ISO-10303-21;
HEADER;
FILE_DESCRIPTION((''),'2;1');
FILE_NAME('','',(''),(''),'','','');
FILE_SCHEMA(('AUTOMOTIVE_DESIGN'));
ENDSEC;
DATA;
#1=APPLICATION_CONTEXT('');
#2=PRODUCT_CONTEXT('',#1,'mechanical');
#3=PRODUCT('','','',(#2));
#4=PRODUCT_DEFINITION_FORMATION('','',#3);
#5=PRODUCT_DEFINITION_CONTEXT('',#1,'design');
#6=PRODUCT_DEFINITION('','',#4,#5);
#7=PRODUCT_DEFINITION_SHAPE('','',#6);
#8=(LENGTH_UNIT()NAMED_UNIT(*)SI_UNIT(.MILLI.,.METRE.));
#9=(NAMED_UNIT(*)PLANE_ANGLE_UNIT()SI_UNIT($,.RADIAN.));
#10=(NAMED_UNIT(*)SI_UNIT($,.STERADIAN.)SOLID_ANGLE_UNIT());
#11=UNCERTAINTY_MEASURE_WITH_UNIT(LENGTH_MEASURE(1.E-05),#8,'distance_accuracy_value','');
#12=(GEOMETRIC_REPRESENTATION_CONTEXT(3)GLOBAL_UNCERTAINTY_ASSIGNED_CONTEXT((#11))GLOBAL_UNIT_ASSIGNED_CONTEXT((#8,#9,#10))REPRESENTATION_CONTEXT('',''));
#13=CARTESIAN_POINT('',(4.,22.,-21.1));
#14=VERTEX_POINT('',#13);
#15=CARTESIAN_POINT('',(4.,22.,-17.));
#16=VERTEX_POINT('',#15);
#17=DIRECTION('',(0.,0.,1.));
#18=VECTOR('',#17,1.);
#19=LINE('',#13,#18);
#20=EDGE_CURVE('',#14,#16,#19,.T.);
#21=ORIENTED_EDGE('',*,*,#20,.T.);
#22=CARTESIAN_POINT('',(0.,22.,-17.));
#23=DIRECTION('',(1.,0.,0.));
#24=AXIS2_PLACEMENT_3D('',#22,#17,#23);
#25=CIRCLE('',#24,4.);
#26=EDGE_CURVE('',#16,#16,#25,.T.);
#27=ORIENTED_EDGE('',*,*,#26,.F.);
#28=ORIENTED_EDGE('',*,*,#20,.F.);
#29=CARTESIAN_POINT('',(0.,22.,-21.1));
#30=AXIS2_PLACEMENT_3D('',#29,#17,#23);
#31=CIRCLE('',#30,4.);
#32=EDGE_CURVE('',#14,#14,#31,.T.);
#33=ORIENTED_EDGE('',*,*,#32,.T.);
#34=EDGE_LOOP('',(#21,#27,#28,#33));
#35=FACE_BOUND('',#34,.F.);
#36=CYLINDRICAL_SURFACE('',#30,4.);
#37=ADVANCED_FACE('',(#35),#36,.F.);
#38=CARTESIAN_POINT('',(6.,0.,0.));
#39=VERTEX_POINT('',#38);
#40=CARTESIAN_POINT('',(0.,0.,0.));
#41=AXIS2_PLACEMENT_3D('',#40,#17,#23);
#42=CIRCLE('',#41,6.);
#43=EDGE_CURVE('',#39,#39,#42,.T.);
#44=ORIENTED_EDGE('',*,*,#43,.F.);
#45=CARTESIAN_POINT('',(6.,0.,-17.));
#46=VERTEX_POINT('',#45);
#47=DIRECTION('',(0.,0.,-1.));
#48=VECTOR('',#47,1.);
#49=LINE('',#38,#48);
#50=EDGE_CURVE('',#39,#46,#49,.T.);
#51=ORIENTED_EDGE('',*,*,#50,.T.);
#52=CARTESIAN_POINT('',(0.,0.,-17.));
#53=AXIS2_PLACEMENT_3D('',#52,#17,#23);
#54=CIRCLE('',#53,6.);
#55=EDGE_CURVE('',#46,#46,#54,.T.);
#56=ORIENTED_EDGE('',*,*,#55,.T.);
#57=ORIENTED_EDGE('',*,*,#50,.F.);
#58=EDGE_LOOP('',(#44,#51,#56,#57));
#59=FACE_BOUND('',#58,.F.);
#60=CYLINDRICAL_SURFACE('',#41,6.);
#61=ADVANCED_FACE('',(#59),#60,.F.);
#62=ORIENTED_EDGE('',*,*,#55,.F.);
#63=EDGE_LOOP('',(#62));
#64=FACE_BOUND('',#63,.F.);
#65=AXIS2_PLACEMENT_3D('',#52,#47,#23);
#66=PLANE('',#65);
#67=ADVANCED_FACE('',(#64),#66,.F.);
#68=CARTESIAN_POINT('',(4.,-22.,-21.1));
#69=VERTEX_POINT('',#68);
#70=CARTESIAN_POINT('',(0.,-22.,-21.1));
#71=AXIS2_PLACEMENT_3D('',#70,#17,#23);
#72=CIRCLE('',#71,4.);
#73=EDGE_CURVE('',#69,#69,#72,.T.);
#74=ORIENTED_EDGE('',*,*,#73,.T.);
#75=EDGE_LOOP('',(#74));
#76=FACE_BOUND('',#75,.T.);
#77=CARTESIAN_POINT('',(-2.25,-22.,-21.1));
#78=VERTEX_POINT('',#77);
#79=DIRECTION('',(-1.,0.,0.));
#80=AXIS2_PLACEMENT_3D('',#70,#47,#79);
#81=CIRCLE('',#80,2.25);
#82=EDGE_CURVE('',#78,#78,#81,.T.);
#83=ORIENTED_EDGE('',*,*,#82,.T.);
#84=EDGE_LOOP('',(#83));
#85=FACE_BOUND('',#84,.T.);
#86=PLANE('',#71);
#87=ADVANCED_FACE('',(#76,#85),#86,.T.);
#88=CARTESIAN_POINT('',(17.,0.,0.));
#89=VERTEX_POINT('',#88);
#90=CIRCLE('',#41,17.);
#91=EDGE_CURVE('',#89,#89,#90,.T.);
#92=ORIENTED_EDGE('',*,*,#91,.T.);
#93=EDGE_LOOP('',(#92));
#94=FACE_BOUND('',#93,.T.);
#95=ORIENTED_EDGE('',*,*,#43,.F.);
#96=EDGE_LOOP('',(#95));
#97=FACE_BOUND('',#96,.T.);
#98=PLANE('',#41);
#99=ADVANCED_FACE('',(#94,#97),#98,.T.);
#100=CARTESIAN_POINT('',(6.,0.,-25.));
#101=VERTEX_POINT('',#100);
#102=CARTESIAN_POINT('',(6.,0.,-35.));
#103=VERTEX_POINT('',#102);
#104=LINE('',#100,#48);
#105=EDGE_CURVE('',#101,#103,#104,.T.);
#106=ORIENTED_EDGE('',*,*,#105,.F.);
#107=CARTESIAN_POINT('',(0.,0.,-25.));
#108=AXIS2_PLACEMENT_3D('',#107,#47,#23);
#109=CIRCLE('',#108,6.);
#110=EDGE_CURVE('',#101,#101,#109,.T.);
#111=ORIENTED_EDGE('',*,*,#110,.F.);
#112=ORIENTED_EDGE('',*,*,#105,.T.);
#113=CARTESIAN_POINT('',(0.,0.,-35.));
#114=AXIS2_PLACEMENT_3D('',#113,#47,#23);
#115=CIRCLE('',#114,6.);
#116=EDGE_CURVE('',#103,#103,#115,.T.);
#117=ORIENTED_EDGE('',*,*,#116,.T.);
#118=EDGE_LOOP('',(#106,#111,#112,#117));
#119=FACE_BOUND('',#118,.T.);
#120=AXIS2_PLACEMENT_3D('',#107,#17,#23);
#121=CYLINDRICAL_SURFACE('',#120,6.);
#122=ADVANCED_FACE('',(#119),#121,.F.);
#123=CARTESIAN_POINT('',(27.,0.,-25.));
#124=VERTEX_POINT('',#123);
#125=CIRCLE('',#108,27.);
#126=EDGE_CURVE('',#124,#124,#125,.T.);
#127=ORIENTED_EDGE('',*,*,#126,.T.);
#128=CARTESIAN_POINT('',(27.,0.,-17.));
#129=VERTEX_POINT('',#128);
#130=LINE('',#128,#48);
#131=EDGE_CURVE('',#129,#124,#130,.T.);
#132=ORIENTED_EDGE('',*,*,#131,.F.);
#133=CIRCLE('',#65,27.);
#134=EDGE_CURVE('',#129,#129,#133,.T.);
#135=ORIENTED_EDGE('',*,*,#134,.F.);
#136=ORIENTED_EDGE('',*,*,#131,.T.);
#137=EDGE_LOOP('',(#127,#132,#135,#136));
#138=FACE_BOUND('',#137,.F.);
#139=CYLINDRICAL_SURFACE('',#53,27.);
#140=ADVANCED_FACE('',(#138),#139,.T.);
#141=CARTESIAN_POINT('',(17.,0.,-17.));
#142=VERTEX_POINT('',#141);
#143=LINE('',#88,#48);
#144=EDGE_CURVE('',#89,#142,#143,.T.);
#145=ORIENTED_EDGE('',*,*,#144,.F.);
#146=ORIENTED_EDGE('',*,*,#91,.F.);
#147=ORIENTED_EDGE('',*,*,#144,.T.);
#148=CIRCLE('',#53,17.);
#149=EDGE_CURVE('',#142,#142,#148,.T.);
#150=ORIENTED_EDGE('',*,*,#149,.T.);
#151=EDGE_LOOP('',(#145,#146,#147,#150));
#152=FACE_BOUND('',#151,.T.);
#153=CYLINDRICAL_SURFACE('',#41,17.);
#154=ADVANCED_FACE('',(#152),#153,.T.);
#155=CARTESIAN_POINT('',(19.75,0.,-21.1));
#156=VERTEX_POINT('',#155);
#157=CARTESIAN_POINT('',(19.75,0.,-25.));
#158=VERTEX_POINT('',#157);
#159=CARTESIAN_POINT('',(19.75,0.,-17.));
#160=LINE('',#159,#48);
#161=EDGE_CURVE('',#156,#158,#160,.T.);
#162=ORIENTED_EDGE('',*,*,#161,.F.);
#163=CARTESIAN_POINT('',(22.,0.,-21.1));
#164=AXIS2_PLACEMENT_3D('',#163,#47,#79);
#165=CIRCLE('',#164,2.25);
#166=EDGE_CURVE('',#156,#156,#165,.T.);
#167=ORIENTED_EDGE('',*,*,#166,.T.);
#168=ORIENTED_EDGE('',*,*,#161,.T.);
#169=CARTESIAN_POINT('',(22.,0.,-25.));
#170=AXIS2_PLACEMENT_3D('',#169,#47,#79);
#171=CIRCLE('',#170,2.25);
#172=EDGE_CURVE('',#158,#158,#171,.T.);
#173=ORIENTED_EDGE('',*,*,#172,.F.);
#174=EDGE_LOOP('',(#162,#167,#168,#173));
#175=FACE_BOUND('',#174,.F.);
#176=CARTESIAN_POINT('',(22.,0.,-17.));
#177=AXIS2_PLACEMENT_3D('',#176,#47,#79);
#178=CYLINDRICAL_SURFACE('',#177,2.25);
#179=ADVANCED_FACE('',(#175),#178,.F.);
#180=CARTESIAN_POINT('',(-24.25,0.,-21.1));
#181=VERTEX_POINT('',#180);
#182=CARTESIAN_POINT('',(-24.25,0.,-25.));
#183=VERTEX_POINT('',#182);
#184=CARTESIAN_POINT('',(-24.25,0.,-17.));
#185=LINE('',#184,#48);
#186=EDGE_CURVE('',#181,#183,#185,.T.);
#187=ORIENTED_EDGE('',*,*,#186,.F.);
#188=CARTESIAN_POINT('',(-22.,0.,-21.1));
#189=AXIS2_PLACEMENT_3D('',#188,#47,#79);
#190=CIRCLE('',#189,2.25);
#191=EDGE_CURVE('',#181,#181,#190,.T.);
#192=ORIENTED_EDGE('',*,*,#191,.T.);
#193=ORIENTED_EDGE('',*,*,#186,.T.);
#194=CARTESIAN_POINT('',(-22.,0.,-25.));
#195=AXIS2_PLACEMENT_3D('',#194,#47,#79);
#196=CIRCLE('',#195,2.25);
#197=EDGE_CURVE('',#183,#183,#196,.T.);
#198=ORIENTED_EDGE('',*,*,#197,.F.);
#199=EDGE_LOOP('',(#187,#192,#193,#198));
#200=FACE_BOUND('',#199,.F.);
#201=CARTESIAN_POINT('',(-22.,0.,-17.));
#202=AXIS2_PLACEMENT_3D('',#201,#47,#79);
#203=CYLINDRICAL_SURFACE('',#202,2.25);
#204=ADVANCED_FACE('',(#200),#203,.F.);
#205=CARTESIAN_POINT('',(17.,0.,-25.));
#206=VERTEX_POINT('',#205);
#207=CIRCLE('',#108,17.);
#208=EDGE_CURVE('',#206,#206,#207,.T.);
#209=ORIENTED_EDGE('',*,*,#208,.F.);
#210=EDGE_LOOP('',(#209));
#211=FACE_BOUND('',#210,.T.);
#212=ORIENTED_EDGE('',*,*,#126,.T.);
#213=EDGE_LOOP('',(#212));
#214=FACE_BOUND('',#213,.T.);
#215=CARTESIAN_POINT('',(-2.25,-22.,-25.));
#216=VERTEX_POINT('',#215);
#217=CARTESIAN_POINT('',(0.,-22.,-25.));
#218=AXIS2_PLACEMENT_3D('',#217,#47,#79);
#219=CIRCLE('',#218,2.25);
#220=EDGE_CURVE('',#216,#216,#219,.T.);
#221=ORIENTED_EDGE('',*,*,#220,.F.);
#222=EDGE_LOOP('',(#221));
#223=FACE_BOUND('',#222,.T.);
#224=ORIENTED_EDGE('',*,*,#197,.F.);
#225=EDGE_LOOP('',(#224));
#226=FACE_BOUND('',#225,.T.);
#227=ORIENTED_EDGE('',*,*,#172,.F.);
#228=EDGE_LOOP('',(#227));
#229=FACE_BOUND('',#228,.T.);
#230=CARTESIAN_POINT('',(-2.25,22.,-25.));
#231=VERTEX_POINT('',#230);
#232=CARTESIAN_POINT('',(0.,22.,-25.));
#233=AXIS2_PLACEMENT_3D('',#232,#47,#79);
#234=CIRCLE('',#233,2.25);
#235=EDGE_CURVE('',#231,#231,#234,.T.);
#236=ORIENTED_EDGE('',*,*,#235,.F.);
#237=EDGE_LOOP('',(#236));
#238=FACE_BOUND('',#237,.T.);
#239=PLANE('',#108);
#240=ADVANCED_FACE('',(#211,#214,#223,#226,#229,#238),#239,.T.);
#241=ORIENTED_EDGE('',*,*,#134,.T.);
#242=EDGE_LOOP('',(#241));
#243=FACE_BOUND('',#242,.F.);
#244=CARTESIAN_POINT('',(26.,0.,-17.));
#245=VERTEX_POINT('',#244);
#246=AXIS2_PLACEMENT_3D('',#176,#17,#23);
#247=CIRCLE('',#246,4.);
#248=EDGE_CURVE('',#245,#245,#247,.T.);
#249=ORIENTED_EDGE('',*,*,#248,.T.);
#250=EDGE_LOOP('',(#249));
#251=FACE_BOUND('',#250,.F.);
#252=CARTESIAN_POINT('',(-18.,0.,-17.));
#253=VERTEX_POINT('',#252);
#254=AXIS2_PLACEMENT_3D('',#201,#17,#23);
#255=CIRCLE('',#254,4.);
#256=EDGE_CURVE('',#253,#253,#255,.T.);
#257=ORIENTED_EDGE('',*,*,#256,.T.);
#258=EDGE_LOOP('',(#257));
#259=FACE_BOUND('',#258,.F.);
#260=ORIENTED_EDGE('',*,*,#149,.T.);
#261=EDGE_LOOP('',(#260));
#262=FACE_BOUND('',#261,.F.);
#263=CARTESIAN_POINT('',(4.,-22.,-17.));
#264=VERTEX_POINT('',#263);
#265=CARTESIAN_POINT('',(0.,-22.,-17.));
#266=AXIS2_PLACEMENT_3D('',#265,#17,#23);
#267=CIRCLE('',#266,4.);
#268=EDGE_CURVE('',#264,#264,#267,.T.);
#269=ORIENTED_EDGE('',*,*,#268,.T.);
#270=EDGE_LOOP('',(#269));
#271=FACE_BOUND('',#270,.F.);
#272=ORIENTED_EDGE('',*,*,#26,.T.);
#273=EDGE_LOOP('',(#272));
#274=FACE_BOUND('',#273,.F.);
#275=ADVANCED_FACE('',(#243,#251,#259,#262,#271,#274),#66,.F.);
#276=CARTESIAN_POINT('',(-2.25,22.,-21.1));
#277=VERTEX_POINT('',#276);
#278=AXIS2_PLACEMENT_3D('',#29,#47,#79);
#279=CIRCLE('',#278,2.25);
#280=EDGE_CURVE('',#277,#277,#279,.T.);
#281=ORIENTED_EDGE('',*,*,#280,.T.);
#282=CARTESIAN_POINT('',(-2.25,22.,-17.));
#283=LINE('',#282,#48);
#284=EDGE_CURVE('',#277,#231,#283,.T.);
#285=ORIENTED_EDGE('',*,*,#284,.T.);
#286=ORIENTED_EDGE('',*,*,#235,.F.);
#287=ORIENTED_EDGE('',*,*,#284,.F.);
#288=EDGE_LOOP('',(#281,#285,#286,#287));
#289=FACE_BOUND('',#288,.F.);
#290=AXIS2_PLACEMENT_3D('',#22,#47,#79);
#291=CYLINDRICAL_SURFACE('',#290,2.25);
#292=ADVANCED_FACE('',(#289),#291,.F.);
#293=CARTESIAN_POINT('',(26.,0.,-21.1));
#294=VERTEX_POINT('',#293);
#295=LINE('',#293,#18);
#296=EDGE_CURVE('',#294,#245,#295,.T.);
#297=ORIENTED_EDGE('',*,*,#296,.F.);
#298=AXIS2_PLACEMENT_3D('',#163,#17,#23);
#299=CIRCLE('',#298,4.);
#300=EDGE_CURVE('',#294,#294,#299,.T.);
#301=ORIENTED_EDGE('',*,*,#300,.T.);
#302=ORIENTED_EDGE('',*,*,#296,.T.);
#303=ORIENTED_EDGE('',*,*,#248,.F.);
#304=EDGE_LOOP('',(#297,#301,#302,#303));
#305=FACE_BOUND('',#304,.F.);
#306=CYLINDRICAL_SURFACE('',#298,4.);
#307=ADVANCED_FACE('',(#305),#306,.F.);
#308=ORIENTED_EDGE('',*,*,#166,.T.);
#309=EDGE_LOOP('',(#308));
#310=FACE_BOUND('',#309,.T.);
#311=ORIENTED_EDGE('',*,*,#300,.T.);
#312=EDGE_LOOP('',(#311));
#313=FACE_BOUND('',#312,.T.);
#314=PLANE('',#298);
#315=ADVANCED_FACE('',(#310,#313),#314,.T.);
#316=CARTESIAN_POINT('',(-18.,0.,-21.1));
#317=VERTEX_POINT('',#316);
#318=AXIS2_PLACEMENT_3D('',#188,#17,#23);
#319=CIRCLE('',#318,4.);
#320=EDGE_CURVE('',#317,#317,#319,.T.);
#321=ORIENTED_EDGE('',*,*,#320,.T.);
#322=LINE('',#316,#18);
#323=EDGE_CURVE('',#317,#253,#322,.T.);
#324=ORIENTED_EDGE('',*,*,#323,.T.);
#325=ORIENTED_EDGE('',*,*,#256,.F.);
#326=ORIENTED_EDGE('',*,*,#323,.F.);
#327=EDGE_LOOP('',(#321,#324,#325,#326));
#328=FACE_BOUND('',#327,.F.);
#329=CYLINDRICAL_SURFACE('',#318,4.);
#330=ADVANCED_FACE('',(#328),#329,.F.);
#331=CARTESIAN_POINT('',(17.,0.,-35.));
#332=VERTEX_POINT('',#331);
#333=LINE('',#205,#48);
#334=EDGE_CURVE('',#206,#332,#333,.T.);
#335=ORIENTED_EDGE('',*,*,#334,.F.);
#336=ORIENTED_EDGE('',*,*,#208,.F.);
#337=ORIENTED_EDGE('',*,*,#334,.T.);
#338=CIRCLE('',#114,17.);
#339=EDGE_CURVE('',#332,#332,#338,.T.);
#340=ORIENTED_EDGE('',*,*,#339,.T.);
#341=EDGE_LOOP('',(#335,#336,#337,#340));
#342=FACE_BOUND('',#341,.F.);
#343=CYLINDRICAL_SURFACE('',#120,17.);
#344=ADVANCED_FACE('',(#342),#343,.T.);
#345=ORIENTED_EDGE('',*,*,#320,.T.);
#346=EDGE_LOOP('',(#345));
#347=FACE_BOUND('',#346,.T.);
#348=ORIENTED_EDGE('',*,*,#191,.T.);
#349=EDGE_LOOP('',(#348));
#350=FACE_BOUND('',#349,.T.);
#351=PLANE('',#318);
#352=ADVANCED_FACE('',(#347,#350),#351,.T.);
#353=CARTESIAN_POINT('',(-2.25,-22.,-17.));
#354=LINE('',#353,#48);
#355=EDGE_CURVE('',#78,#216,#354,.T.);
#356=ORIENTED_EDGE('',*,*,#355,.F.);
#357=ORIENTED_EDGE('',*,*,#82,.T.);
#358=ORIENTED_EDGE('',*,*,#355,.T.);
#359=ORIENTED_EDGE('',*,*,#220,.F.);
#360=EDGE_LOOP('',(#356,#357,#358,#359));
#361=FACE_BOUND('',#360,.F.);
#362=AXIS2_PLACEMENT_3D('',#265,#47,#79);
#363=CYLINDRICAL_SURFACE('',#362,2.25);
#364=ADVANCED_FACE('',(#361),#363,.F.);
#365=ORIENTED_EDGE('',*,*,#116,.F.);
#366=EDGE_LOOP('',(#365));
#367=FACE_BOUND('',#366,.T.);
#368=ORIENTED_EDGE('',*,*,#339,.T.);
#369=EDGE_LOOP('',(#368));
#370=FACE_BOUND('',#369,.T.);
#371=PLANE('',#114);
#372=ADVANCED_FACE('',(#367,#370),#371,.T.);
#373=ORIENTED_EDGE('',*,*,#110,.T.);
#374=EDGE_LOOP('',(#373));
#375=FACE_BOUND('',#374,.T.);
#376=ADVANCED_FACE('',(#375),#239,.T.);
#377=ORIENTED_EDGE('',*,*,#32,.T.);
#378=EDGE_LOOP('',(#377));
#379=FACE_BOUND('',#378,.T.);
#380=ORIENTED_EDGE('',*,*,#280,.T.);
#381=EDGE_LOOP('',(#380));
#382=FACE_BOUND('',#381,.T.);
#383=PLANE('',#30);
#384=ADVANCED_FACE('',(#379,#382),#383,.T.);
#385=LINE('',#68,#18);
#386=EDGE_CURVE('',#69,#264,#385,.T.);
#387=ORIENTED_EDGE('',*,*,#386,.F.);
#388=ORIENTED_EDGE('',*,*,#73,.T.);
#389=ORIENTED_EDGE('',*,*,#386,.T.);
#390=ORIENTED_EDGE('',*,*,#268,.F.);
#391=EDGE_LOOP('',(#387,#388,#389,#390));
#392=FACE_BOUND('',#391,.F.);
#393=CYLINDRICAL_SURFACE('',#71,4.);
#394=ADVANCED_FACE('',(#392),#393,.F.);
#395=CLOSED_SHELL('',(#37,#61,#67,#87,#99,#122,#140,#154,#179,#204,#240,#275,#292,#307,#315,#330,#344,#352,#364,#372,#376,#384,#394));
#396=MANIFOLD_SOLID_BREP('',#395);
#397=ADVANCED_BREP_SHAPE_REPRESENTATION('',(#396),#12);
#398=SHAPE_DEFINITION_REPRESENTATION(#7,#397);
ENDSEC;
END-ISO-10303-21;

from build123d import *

# Parameters (mm, degrees)
F0_R           = 17
F0_R_2         = 6
F1_DEPTH       = 17
F2_R           = 27
F3_DEPTH       = 8
F4_R           = 17
F4_R_2         = 6
F5_DEPTH       = 10
F7_D           = 4.5
F7_CBORE_D     = 8
F7_CBORE_DEPTH = 4.1


with BuildPart() as f1:
    # F0 (on Top) → F1 (new body)
    with BuildSketch(Plane.XY):
        Circle(F0_R)
        Circle(F0_R_2, mode=Mode.SUBTRACT)
    extrude(amount=-F1_DEPTH)

    # F2 (on face) → F3 (join)
    with BuildSketch(Plane(origin=(0, 0, -17), x_dir=(1, 0, 0), z_dir=(0, 0, -1))):
        Circle(F2_R)
    extrude(amount=F3_DEPTH)

    # F4 (on face) → F5 (join)
    with BuildSketch(Plane(origin=(0, 0, -25), x_dir=(1, 0, 0), z_dir=(0, 0, -1))):
        Circle(F4_R)
        Circle(F4_R_2, mode=Mode.SUBTRACT)
    extrude(amount=F5_DEPTH)

    # F7 (through all)
    with Locations(Plane.XY.offset(-17)):
        with Locations((0, 22), (-22, 0), (0, -22), (22, 0)):
            CounterBoreHole(F7_D / 2, F7_CBORE_D / 2, F7_CBORE_DEPTH)


solid = f1.part
